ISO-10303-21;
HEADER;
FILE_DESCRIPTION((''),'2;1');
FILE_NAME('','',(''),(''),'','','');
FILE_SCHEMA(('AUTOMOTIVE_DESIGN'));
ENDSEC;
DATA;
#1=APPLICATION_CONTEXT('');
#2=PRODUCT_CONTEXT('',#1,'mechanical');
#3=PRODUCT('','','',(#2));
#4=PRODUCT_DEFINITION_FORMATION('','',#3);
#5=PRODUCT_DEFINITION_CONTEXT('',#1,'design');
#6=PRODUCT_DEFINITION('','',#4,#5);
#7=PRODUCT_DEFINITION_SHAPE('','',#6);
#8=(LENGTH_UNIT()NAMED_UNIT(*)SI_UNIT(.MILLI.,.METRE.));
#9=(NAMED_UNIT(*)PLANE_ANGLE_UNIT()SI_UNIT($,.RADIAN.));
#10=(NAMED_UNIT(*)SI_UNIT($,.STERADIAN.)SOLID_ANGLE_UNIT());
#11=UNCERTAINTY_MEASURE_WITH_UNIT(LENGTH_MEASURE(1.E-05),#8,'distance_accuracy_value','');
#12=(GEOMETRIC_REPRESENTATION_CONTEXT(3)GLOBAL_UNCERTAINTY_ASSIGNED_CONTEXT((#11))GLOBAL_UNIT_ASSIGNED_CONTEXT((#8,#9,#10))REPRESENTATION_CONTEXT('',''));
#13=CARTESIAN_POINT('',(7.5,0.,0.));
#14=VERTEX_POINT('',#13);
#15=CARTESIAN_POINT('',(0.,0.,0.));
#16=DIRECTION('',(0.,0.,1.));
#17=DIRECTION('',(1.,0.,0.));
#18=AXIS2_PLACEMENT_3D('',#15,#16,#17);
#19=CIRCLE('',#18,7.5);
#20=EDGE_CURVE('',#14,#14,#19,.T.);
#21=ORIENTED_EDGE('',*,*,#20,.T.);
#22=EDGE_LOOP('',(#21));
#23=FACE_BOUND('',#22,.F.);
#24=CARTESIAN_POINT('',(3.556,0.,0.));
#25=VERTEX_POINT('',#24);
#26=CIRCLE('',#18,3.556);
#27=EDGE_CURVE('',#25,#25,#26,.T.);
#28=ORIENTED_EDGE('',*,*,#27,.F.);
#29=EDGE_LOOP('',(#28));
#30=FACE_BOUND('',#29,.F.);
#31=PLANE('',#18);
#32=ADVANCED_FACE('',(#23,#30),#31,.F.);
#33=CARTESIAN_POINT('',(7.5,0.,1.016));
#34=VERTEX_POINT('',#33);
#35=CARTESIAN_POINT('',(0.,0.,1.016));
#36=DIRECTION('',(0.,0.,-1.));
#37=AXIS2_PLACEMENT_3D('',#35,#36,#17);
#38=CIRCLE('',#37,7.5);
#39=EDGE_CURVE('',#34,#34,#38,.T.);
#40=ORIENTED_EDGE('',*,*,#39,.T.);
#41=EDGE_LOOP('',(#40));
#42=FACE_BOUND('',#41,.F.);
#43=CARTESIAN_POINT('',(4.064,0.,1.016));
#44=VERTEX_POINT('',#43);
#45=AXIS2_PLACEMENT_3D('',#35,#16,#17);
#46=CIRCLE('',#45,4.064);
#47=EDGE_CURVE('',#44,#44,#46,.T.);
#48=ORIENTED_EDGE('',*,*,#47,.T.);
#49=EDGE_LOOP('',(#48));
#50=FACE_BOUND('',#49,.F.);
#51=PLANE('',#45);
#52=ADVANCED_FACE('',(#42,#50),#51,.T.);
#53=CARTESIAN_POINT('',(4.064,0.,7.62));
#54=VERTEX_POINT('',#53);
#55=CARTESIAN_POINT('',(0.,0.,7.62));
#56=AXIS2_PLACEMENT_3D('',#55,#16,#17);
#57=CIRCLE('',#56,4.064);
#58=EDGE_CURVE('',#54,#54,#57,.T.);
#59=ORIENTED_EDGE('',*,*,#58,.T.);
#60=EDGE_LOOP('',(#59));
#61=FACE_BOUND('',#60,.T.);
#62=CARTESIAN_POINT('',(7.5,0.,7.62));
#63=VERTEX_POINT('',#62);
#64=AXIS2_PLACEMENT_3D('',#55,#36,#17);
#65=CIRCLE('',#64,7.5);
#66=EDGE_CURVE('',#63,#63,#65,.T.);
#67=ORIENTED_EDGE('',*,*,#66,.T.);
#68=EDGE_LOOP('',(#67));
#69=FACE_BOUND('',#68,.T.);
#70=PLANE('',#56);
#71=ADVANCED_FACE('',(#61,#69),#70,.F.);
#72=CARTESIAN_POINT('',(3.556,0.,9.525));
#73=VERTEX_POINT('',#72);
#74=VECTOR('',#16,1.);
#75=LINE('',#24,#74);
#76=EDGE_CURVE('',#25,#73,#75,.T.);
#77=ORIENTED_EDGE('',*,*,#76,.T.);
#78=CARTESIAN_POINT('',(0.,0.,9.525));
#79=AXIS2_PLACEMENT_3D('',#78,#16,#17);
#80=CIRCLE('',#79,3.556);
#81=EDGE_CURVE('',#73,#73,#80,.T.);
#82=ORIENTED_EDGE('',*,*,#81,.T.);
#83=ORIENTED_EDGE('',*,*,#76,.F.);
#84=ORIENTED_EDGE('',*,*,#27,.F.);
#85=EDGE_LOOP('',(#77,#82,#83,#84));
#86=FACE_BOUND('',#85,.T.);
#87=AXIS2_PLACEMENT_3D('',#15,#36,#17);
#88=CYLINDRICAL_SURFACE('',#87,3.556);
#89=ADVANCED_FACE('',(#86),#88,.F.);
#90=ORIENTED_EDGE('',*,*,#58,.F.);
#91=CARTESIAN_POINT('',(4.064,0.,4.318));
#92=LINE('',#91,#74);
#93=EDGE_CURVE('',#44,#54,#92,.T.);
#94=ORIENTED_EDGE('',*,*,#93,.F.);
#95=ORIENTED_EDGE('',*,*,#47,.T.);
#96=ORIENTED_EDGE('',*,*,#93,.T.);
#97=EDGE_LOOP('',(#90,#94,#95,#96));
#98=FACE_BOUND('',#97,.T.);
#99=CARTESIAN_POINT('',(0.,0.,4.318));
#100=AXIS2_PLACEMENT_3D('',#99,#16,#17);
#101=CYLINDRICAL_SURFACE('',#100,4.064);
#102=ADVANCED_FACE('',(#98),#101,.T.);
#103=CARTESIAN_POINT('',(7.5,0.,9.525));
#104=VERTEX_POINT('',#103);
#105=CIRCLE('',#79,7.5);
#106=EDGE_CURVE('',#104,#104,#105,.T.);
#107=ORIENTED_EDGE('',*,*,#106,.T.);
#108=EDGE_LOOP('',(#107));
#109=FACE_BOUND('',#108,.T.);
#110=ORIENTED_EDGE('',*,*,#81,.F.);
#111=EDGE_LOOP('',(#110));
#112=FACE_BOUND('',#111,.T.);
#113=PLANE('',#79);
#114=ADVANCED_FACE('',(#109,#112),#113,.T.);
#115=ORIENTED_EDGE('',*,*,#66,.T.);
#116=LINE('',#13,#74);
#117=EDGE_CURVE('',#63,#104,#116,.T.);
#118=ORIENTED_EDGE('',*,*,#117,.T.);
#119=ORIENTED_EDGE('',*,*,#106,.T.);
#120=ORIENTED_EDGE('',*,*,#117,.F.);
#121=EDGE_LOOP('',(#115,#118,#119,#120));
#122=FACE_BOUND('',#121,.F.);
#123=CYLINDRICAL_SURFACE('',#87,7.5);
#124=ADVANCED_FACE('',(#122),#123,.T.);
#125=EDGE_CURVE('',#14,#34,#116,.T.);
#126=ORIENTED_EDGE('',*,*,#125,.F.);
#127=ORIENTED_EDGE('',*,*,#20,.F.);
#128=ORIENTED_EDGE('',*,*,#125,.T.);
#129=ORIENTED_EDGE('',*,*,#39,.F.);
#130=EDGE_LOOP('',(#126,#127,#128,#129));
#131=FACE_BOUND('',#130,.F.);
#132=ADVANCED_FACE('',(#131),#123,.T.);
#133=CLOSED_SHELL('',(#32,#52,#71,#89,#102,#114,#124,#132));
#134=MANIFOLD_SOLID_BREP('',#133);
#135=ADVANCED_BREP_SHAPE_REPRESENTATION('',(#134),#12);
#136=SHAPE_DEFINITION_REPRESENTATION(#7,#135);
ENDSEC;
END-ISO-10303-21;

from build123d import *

# Parameters (mm, degrees)
F0_R     = 7.5
F0_R_2   = 3.556
F1_DEPTH = 9.525
F2_W     = 15
F2_H     = 6.604


with BuildPart() as f1:
    # F0 (on Top) → F1 (new body)
    with BuildSketch(Plane.XY):
        Circle(F0_R)
        Circle(F0_R_2, mode=Mode.SUBTRACT)
    extrude(amount=F1_DEPTH)

    # F2 (on Front) → F4 (revolve, cut)
    with BuildSketch(Plane.XZ):
        with Locations((11.564, 4.318)):
            Rectangle(F2_W, F2_H)
    revolve(axis=Axis((0, 0, 5.091826), (0, 0, 1)), mode=Mode.SUBTRACT)


solid = f1.part
